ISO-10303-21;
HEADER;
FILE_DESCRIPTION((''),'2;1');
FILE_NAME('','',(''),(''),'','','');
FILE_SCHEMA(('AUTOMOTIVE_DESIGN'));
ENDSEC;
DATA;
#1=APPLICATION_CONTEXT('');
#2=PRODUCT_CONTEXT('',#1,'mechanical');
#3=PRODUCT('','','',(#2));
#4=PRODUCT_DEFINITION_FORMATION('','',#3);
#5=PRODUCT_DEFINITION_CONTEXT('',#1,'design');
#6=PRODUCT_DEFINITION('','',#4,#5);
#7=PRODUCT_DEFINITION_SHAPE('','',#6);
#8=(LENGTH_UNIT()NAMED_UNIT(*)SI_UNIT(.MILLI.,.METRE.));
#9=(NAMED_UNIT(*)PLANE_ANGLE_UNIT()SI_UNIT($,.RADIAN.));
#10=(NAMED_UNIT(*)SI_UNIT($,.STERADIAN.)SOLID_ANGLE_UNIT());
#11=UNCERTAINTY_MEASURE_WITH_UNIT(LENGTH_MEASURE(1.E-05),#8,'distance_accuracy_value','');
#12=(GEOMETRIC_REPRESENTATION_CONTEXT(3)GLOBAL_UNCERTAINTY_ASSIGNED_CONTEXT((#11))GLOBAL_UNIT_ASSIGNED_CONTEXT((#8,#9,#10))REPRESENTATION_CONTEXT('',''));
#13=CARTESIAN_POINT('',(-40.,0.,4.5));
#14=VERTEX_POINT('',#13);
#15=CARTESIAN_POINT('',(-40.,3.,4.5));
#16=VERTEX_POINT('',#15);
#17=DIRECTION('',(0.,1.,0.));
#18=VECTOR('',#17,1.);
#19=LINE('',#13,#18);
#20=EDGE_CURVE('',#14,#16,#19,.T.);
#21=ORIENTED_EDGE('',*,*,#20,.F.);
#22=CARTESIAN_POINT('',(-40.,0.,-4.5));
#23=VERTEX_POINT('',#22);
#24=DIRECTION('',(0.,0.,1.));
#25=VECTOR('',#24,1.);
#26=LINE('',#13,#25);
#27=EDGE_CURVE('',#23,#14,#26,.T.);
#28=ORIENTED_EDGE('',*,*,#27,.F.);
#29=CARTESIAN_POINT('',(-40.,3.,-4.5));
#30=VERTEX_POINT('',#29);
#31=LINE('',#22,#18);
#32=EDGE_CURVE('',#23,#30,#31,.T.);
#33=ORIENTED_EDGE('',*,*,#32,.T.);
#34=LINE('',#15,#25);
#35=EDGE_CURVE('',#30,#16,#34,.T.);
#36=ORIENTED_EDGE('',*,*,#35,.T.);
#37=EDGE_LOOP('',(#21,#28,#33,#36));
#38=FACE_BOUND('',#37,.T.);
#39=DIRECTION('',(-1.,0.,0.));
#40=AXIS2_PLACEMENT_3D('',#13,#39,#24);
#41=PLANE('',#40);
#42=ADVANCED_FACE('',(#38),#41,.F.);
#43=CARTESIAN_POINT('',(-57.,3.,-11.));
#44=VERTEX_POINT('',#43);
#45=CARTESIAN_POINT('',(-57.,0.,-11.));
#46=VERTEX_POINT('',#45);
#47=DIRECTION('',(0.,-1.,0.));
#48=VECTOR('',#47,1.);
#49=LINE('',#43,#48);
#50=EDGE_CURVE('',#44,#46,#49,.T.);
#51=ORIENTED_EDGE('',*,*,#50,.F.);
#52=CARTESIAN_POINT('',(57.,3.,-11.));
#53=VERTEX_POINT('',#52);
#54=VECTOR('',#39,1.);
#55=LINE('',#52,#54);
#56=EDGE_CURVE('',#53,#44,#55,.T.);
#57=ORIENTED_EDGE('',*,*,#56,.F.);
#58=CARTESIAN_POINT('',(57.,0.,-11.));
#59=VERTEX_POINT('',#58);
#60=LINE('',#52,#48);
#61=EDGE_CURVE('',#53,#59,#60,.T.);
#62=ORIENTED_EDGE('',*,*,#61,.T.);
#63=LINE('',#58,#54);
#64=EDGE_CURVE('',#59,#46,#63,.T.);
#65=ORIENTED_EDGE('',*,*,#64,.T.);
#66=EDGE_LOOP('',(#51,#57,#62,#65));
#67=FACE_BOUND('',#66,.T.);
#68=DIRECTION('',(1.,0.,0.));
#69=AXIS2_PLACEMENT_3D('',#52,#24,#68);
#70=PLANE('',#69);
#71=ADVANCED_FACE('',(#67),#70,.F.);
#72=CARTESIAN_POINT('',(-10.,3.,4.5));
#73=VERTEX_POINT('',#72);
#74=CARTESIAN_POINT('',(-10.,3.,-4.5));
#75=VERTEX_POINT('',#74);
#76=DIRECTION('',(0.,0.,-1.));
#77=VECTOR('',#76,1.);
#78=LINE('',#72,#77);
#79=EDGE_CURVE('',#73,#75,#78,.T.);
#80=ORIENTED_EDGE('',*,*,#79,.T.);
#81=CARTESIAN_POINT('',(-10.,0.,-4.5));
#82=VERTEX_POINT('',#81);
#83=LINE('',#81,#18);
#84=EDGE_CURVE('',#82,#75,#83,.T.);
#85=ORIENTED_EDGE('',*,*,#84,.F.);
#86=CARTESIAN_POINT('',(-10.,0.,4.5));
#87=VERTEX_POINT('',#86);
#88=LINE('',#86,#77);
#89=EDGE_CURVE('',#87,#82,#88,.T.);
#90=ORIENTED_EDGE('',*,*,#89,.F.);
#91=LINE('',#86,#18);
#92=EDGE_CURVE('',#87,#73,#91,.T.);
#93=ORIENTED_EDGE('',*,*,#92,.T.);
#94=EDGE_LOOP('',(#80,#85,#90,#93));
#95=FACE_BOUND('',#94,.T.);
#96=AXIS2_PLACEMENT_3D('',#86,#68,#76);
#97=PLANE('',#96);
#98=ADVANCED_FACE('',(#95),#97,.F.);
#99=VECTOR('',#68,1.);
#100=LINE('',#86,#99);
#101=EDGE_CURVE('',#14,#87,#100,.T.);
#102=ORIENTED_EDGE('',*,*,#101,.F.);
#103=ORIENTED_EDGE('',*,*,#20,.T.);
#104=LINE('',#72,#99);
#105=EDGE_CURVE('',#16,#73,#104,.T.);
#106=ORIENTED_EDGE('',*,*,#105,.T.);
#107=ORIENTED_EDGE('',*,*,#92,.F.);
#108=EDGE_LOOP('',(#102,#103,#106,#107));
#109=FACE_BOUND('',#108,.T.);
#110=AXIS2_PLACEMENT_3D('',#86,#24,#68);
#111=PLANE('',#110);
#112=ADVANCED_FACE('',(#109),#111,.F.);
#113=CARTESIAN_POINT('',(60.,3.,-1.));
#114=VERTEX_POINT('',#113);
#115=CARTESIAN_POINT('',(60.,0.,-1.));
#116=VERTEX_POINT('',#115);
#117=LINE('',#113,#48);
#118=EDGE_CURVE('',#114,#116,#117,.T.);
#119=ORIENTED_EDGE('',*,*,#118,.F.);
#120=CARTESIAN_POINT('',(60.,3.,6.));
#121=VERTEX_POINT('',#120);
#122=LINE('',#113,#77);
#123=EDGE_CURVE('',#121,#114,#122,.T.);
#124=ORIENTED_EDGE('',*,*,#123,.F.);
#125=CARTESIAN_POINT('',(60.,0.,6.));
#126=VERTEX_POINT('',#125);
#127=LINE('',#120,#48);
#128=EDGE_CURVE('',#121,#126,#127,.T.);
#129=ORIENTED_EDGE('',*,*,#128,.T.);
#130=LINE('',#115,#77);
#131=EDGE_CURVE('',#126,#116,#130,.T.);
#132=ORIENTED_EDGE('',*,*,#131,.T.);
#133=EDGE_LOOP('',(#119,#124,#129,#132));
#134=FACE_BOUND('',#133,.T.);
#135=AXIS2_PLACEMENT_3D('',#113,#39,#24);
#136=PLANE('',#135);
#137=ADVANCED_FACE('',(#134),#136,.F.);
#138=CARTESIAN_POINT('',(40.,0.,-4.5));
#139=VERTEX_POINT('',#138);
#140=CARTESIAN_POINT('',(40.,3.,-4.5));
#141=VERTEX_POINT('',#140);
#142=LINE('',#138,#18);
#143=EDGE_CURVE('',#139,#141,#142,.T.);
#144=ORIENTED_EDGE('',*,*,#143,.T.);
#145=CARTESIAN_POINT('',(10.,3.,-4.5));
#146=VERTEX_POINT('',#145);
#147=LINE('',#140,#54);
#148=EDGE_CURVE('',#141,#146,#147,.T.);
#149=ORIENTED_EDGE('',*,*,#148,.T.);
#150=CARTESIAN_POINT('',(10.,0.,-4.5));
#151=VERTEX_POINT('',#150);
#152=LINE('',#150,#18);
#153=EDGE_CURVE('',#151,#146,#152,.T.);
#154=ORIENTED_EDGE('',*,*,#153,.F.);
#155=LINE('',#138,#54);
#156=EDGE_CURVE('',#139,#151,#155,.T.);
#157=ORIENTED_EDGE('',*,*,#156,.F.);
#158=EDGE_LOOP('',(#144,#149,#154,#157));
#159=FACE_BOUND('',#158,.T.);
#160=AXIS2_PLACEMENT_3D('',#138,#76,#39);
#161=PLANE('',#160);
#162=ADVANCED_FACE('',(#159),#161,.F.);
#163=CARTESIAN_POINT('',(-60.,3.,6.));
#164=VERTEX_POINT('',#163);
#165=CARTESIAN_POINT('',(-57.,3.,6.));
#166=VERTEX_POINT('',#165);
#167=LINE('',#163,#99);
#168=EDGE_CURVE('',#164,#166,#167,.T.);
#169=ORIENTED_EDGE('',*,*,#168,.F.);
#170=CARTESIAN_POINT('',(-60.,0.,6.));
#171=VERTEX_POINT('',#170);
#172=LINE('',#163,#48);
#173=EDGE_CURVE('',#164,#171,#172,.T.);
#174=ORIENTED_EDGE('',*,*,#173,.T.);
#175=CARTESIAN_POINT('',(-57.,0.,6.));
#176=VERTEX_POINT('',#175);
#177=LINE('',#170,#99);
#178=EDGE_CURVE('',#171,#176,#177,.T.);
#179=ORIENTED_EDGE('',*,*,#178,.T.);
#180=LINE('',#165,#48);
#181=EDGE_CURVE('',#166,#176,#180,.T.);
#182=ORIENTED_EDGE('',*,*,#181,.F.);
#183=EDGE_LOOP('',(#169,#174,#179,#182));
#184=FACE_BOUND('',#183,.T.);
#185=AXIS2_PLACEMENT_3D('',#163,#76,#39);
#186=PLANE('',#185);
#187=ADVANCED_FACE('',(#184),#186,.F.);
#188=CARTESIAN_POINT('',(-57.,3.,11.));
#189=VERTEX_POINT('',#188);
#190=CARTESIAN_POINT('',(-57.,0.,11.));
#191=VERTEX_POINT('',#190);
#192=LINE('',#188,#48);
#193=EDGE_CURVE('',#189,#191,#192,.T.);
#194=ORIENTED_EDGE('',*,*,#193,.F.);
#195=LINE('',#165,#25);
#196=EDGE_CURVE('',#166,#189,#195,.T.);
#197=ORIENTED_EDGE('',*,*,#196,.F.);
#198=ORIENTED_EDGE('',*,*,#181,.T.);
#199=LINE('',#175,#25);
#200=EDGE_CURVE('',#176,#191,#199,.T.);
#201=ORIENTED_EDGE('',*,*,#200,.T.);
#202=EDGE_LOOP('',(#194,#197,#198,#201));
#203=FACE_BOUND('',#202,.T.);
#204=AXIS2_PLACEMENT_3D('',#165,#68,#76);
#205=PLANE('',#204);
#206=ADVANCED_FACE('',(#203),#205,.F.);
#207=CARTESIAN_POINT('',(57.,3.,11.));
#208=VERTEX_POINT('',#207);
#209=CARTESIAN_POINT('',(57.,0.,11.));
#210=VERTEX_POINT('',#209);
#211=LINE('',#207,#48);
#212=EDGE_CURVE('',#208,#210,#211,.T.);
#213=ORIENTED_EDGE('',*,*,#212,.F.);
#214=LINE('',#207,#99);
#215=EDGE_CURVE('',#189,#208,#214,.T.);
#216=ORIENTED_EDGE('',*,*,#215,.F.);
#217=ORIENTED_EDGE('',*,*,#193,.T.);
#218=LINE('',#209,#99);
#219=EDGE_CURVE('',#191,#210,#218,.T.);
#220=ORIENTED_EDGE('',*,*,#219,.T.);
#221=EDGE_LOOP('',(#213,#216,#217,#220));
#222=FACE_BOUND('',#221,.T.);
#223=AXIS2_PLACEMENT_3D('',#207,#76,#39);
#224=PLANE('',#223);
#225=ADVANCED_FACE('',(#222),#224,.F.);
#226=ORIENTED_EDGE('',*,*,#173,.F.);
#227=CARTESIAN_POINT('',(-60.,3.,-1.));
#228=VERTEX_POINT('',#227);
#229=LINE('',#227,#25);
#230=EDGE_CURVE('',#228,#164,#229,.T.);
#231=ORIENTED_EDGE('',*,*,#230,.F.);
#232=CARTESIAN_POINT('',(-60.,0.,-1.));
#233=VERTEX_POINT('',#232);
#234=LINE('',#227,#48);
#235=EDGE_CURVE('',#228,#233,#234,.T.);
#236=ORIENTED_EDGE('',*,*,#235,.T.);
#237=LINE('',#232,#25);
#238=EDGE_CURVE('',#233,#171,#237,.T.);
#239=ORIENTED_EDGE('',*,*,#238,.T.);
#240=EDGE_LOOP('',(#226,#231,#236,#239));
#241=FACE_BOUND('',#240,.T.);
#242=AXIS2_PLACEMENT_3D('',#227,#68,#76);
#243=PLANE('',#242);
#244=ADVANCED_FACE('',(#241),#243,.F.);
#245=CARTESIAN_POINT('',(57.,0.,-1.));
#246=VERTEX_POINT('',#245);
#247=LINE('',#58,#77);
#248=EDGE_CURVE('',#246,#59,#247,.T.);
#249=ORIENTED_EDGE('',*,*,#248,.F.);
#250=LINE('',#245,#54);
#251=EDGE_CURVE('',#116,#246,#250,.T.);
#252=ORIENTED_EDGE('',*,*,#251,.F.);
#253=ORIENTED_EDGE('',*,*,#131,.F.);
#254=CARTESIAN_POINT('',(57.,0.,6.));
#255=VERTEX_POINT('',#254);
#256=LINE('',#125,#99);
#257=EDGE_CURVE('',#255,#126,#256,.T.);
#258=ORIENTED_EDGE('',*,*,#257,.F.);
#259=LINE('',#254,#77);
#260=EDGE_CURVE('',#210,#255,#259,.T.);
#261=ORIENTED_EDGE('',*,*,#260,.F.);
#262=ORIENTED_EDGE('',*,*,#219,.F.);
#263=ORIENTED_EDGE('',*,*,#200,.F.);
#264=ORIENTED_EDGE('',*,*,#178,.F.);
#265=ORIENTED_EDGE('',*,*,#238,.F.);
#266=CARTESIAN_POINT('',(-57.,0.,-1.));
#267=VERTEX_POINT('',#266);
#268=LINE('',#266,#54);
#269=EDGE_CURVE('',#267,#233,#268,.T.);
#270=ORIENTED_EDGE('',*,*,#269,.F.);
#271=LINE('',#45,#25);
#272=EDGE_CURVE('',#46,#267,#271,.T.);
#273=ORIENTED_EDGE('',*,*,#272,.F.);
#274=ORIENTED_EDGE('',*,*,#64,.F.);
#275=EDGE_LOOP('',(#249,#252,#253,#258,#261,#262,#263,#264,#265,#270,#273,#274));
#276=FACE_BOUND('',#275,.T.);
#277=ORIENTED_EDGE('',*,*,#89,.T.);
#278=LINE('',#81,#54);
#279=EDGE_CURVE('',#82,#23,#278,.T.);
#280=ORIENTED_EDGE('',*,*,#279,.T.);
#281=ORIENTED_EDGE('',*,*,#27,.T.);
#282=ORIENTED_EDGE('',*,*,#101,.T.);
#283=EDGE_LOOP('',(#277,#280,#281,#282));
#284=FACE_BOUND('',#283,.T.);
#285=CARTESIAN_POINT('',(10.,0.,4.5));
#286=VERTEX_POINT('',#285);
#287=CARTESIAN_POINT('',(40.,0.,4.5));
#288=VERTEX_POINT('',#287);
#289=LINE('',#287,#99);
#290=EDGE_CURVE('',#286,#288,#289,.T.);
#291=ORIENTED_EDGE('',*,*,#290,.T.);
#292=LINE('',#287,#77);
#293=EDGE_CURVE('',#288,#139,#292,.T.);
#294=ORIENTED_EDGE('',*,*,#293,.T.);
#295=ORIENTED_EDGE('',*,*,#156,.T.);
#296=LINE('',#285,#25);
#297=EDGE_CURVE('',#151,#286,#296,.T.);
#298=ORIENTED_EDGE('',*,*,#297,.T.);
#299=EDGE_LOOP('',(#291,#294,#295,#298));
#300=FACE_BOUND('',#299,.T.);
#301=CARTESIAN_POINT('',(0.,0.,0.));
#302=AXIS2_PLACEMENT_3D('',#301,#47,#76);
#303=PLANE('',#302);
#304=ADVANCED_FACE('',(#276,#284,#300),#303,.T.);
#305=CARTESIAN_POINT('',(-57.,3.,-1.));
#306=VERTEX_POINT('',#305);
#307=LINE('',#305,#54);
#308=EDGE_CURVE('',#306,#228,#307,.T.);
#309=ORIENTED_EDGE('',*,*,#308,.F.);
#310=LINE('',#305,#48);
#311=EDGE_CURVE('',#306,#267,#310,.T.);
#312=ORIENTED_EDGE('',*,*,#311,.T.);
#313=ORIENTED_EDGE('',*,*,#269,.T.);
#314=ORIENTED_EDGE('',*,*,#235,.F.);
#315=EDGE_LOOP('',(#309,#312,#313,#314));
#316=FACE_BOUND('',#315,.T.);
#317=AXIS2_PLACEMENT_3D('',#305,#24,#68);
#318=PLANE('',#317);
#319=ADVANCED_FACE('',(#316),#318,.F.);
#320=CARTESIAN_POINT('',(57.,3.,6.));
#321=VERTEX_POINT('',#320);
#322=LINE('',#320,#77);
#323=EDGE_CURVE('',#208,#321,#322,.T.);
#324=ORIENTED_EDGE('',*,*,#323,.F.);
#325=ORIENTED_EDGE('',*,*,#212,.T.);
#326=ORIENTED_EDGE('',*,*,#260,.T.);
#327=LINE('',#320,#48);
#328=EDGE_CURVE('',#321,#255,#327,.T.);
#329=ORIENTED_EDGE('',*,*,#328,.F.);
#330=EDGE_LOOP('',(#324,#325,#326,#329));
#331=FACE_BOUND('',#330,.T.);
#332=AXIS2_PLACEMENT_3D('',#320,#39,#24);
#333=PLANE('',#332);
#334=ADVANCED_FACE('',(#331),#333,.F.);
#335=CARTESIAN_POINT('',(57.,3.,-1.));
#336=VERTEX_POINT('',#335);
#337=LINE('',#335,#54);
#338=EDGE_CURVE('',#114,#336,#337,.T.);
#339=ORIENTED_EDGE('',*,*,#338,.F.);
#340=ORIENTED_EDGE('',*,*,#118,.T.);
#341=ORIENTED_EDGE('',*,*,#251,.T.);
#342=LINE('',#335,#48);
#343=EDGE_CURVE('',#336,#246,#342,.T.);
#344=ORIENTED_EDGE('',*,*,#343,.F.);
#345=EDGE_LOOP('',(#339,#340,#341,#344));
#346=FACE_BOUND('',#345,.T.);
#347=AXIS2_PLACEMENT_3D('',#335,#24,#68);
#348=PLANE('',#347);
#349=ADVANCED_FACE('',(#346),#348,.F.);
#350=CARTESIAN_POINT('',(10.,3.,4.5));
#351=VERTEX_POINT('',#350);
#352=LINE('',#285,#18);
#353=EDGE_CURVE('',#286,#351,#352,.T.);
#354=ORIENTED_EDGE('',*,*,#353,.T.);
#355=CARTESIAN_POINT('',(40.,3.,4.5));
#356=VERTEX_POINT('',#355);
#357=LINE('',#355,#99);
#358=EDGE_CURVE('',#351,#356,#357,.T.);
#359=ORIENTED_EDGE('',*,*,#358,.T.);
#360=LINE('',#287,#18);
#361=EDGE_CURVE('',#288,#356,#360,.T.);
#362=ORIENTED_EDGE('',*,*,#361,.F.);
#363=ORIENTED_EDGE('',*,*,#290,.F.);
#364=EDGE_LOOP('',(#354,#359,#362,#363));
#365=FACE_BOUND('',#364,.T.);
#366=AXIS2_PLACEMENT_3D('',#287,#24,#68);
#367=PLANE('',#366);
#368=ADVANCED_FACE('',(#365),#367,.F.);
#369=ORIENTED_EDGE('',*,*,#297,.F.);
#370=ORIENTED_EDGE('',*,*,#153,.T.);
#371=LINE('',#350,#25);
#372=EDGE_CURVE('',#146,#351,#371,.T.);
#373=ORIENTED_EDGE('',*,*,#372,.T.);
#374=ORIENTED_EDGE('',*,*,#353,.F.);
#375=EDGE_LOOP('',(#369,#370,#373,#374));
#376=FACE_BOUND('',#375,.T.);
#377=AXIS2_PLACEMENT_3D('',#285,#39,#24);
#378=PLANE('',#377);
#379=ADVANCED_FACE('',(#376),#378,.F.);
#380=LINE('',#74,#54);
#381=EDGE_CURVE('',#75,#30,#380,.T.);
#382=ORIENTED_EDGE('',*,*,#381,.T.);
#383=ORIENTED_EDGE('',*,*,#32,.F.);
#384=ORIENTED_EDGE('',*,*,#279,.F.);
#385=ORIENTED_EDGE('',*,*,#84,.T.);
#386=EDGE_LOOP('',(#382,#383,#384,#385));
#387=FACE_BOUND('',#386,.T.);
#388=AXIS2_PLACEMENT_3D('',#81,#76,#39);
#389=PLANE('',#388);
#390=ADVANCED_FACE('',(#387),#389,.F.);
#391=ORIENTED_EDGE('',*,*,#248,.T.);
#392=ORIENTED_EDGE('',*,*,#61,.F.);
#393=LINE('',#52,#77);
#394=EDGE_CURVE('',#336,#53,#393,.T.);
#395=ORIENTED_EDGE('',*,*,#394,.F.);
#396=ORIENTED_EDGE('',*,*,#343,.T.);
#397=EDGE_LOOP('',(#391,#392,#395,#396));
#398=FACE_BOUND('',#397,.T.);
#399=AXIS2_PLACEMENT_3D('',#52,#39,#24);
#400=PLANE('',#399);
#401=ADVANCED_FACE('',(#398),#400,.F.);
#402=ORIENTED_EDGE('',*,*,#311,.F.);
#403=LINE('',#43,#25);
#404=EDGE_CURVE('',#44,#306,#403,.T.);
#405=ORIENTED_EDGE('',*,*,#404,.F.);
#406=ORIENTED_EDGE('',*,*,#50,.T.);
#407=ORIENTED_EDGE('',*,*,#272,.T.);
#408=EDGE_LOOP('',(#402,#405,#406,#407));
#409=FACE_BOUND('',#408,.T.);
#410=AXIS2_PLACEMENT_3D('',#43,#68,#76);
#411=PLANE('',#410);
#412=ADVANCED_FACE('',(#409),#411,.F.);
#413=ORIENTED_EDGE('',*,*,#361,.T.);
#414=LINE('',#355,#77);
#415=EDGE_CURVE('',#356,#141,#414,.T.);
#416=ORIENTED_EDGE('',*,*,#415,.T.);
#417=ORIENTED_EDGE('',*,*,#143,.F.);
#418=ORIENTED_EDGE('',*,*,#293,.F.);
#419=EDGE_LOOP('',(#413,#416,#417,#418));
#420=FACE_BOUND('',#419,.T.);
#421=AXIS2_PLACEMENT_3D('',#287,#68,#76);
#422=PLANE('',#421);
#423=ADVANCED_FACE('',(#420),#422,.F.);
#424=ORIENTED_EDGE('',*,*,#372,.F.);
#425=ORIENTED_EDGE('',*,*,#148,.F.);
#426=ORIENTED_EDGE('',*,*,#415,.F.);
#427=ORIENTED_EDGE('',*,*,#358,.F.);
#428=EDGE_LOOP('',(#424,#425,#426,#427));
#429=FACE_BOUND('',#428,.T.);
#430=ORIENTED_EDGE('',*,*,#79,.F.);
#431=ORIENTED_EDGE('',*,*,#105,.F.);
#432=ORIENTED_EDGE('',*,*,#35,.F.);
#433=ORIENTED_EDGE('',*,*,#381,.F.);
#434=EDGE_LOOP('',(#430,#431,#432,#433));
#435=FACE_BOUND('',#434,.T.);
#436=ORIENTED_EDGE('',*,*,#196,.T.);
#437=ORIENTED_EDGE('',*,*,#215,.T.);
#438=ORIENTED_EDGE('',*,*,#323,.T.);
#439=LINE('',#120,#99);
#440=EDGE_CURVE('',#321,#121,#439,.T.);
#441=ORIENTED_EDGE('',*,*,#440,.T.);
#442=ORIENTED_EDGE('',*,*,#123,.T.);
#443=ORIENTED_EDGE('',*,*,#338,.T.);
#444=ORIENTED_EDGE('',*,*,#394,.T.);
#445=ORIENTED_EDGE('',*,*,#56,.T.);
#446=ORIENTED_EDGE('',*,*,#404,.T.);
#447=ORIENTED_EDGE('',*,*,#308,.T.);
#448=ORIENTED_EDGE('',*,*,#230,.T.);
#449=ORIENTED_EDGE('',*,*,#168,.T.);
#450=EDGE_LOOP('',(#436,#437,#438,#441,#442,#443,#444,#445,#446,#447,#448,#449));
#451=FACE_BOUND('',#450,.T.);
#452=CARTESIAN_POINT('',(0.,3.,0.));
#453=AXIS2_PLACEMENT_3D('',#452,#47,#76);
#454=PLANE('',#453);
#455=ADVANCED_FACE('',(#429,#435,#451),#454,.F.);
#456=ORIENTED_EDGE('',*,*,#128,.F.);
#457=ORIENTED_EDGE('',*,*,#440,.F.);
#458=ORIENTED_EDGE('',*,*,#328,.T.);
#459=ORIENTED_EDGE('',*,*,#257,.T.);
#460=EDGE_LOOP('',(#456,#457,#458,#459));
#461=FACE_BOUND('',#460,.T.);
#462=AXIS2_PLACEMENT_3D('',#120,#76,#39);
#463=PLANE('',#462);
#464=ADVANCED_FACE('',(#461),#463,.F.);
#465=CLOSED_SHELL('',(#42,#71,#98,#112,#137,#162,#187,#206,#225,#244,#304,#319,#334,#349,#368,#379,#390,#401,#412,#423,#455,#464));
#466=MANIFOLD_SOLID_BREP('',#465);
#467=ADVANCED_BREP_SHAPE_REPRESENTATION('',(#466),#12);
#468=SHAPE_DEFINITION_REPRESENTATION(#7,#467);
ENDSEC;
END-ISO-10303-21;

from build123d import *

# Parameters (mm, degrees)
SALIENTE_EXTRUIR1_DEPTH = 3
CROQUIS2_W              = 30
CROQUIS2_H              = 9
CORTAR_EXTRUIR1_DEPTH   = 4


with BuildPart() as part:
    # Croquis1 → Saliente-Extruir1 (new body)
    with BuildSketch(Plane(origin=(0, 0, 0), x_dir=(1, 0, 0), z_dir=(0, 1, 0))):
        Polygon((-57, 1), (-60, 1), (-60, -6), (-57, -6), (-57, -11), (57, -11), (57, -6), (60, -6), (60, 1), (57, 1), (57, 11), (-57, 11), align=None)
    extrude(amount=SALIENTE_EXTRUIR1_DEPTH)

    # Croquis2 → Cortar-Extruir1 (cut, through all)
    with BuildSketch(Plane(origin=(0, 3, 0), x_dir=(1, 0, 0), z_dir=(0, 1, 0))):
        with Locations((-25, 0)):
            Rectangle(CROQUIS2_W, CROQUIS2_H)
        with Locations((25, 0)):
            Rectangle(CROQUIS2_W, CROQUIS2_H)
    extrude(amount=-CORTAR_EXTRUIR1_DEPTH, mode=Mode.SUBTRACT)


solid = part.part
